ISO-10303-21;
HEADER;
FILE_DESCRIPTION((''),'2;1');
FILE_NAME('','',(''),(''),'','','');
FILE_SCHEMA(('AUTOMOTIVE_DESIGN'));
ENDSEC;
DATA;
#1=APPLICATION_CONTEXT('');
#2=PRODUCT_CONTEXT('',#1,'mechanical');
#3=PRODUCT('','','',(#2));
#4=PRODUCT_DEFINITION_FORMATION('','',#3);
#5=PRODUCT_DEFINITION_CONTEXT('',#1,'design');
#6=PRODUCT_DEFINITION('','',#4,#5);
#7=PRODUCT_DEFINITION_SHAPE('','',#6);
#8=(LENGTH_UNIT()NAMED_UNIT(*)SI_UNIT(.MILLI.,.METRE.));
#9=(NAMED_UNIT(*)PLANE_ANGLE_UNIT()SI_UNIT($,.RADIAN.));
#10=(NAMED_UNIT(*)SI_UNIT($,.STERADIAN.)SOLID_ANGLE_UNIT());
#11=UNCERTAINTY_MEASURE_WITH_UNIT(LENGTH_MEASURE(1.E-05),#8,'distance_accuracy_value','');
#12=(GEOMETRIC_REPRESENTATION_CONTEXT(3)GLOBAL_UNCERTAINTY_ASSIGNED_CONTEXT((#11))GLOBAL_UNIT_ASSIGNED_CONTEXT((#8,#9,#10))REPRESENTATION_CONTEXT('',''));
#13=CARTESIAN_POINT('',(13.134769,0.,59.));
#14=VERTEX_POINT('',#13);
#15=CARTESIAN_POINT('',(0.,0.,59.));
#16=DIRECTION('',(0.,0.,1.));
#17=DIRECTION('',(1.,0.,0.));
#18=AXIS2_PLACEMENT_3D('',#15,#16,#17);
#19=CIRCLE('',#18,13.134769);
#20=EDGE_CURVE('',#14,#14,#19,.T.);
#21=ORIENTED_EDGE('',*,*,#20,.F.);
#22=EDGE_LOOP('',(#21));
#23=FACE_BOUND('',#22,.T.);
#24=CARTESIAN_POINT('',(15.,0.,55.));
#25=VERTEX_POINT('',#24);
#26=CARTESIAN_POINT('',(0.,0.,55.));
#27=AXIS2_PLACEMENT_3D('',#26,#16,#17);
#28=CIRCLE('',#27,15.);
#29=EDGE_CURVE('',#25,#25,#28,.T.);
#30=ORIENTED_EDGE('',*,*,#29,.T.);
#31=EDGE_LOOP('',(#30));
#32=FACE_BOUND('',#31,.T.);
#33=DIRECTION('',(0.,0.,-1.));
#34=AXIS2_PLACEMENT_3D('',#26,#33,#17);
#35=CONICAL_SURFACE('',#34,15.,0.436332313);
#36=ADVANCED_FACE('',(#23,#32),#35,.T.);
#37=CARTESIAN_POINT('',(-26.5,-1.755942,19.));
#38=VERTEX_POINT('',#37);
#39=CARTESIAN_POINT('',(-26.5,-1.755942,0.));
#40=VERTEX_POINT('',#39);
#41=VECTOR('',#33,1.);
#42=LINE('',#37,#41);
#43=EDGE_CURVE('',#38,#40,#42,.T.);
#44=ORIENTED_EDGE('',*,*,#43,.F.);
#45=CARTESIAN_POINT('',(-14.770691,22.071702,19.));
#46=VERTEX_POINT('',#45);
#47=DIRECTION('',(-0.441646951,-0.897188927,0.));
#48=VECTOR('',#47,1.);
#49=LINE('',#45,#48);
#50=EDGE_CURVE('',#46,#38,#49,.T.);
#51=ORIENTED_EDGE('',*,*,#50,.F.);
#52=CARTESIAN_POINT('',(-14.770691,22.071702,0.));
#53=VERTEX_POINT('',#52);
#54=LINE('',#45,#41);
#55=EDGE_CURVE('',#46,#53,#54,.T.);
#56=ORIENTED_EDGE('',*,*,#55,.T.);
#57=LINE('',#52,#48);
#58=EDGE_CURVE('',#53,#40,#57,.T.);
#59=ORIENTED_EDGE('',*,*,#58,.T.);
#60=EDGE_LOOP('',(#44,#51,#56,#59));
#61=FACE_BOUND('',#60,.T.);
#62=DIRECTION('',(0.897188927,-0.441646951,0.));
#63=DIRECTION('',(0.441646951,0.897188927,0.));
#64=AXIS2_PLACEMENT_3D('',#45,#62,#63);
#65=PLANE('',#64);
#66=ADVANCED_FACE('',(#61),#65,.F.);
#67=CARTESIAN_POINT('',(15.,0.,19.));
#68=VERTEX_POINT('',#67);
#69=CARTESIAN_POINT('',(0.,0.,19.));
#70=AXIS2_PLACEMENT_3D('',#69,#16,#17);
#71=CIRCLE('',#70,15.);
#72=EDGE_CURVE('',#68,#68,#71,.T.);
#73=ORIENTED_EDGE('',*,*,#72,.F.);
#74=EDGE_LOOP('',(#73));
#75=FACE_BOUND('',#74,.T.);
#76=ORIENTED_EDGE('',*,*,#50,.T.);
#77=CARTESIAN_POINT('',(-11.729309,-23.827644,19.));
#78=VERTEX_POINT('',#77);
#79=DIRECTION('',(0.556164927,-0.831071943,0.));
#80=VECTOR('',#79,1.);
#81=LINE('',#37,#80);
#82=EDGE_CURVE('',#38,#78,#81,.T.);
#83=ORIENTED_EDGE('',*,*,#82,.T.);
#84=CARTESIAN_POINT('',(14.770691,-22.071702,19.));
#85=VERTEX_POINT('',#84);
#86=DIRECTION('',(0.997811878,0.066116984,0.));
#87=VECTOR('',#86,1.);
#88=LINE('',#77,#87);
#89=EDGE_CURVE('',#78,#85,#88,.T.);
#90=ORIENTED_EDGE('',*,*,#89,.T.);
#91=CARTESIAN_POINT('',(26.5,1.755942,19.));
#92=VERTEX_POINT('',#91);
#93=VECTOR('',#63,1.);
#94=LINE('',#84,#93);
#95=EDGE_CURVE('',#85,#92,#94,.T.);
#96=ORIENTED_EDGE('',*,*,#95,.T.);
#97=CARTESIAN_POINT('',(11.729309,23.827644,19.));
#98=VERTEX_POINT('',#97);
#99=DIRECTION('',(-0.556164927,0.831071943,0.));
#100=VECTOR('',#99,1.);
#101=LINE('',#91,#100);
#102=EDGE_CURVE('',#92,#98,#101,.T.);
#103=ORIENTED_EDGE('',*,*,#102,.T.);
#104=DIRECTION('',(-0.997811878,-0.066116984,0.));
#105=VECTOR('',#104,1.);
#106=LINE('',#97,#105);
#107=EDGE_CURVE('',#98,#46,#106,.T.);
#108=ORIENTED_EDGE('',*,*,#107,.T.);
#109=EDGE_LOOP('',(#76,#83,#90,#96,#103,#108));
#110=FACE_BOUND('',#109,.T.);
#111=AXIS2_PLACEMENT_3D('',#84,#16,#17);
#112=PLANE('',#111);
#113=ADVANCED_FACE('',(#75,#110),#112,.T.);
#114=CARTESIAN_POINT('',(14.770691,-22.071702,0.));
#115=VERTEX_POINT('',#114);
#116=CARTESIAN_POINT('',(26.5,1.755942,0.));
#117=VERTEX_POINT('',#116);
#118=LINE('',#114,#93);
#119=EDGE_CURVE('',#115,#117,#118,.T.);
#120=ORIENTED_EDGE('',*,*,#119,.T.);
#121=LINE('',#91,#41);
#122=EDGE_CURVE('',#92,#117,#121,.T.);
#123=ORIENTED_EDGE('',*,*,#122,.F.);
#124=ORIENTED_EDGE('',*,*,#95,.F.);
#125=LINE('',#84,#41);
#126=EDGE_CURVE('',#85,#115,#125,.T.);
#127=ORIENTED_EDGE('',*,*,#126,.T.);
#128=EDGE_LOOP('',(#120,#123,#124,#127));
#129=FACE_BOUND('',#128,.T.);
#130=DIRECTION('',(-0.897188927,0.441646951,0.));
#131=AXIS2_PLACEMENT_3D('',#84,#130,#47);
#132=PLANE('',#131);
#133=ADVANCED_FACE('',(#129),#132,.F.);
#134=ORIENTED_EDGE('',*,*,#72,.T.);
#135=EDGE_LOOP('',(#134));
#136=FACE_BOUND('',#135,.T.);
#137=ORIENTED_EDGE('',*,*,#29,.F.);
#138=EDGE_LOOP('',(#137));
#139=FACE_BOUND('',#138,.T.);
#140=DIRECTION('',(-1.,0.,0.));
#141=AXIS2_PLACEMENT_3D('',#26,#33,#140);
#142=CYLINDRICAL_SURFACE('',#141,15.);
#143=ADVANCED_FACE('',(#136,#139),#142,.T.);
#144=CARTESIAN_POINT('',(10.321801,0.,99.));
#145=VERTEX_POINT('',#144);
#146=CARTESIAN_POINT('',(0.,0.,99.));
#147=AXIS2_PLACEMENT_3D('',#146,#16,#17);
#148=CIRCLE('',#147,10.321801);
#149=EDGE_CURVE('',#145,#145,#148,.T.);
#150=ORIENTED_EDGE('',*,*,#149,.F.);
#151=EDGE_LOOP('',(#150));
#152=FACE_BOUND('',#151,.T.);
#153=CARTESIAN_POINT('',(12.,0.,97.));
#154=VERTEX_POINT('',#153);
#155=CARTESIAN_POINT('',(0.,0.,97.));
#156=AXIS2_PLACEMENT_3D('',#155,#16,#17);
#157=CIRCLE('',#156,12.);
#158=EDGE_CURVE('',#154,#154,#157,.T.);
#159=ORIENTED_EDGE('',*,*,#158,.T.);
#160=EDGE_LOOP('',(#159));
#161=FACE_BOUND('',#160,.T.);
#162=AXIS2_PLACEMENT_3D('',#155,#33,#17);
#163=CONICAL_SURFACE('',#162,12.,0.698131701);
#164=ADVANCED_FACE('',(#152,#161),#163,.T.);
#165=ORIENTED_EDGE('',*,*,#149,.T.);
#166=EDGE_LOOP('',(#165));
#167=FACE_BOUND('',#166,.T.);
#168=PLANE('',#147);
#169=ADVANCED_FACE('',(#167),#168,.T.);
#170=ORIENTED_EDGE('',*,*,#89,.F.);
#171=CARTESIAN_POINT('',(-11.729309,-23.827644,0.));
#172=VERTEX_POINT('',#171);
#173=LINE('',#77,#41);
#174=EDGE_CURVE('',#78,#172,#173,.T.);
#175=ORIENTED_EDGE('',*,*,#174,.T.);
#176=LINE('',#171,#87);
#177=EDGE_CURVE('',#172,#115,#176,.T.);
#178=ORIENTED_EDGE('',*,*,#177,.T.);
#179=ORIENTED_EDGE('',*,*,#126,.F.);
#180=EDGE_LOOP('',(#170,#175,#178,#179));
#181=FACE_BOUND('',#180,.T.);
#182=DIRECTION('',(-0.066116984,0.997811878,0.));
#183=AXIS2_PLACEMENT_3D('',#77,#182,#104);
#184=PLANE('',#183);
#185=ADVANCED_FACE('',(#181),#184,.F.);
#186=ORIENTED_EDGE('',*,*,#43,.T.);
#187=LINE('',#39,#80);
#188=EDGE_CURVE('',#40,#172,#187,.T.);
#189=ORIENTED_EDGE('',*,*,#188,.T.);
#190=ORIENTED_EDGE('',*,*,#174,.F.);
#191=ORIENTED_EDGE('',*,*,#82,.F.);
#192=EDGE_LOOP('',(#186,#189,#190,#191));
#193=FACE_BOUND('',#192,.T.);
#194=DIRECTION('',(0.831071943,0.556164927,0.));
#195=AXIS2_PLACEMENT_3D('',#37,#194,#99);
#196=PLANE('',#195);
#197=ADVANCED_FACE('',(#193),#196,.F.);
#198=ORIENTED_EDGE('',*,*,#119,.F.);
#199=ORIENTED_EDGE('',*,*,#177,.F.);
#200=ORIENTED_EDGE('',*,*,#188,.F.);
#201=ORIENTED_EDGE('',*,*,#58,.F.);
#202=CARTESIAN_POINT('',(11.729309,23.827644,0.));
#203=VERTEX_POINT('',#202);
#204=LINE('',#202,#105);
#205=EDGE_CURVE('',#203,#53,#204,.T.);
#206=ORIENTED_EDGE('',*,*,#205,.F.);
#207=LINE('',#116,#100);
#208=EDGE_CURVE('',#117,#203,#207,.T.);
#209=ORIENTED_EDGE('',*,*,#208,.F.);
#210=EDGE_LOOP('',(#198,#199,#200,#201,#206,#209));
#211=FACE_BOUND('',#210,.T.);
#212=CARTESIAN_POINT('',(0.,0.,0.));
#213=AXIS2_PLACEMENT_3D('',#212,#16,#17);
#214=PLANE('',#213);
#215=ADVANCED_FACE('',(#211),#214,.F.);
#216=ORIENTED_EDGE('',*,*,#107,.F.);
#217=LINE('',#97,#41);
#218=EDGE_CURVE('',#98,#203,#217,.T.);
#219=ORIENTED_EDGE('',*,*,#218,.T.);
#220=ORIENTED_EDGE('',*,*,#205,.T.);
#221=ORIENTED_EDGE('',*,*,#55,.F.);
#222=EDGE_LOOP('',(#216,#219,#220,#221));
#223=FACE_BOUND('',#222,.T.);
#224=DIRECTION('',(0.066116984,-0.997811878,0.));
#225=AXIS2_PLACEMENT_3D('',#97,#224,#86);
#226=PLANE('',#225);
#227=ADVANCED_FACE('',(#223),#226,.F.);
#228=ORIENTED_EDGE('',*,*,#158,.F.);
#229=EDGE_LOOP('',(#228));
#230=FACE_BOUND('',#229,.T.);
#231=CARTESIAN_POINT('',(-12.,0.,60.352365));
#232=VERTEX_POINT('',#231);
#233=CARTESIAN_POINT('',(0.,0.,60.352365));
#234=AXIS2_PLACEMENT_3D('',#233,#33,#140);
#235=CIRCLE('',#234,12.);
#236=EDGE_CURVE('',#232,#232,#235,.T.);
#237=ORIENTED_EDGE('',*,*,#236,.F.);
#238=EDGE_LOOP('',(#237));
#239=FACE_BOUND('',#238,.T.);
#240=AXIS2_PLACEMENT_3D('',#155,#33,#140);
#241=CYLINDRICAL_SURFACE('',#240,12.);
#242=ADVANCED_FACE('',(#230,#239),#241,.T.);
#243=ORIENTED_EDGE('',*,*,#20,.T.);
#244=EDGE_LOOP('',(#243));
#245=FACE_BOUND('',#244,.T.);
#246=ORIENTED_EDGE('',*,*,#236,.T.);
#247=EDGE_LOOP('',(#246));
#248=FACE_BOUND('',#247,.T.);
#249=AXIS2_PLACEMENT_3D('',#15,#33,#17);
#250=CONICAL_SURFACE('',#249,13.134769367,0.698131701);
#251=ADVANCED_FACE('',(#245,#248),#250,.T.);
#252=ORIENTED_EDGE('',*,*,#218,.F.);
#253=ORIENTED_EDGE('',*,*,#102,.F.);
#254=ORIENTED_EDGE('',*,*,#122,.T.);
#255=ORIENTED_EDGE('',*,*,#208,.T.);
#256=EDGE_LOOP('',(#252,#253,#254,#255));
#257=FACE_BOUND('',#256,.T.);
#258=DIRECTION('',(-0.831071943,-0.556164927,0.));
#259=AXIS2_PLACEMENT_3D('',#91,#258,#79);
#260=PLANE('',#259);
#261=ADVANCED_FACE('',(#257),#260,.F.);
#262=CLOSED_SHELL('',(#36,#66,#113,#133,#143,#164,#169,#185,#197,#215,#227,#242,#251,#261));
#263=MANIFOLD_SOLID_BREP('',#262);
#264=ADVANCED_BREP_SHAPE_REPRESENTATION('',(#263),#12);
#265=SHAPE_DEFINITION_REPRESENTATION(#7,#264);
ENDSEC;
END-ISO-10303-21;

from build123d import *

# Parameters (mm, degrees)
SKETCH_1_R      = 15
EXTRUDE_1_DEPTH = 1
EXTRUDE_2_DEPTH = 19
SKETCH_9_R      = 15
EXTRUDE_3_DEPTH = 36
SKETCH_11_R     = 15
EXTRUDE_6_DEPTH = 4
EXTRUDE_6_TAPER = 25
SKETCH_12_R     = 12
EXTRUDE_7_DEPTH = 38
SKETCH_13_R     = 13.134769367
EXTRUDE_8_DEPTH = 2
EXTRUDE_8_TAPER = 40
SKETCH_15_R     = 12
EXTRUDE_9_DEPTH = 2
EXTRUDE_9_TAPER = 40


with BuildPart() as part:
    # 草图1 → 拉伸1 (new body)
    with BuildSketch(Plane.XY):
        Circle(SKETCH_1_R)
    extrude(amount=EXTRUDE_1_DEPTH)

    # 草图2 → 拉伸2 (add)
    with BuildSketch(Plane.XY):
        Polygon((14.770690633, -22.071702054), (26.5, 1.755942292), (11.729309367, 23.827644346), (-14.770690633, 22.071702054), (-26.5, -1.755942292), (-11.729309367, -23.827644346), align=None)
    extrude(amount=EXTRUDE_2_DEPTH)

    # 草图9 → 拉伸3 (add)
    with BuildSketch(Plane.XY.offset(19)):
        Circle(SKETCH_9_R)
    extrude(amount=EXTRUDE_3_DEPTH)

    # 草图11 → 拉伸6 (add)
    with BuildSketch(Plane.XY.offset(55)):
        Circle(SKETCH_11_R)
    extrude(amount=EXTRUDE_6_DEPTH, taper=EXTRUDE_6_TAPER)

    # 草图12 → 拉伸7 (add)
    with BuildSketch(Plane.XY.offset(59)):
        Circle(SKETCH_12_R)
    extrude(amount=EXTRUDE_7_DEPTH)

    # 草图13 → 拉伸8 (add)
    with BuildSketch(Plane.XY.offset(59)):
        Circle(SKETCH_13_R)
    extrude(amount=EXTRUDE_8_DEPTH, taper=EXTRUDE_8_TAPER)

    # 草图15 → 拉伸9 (add)
    with BuildSketch(Plane.XY.offset(97)):
        Circle(SKETCH_15_R)
    extrude(amount=EXTRUDE_9_DEPTH, taper=EXTRUDE_9_TAPER)


solid = part.part
